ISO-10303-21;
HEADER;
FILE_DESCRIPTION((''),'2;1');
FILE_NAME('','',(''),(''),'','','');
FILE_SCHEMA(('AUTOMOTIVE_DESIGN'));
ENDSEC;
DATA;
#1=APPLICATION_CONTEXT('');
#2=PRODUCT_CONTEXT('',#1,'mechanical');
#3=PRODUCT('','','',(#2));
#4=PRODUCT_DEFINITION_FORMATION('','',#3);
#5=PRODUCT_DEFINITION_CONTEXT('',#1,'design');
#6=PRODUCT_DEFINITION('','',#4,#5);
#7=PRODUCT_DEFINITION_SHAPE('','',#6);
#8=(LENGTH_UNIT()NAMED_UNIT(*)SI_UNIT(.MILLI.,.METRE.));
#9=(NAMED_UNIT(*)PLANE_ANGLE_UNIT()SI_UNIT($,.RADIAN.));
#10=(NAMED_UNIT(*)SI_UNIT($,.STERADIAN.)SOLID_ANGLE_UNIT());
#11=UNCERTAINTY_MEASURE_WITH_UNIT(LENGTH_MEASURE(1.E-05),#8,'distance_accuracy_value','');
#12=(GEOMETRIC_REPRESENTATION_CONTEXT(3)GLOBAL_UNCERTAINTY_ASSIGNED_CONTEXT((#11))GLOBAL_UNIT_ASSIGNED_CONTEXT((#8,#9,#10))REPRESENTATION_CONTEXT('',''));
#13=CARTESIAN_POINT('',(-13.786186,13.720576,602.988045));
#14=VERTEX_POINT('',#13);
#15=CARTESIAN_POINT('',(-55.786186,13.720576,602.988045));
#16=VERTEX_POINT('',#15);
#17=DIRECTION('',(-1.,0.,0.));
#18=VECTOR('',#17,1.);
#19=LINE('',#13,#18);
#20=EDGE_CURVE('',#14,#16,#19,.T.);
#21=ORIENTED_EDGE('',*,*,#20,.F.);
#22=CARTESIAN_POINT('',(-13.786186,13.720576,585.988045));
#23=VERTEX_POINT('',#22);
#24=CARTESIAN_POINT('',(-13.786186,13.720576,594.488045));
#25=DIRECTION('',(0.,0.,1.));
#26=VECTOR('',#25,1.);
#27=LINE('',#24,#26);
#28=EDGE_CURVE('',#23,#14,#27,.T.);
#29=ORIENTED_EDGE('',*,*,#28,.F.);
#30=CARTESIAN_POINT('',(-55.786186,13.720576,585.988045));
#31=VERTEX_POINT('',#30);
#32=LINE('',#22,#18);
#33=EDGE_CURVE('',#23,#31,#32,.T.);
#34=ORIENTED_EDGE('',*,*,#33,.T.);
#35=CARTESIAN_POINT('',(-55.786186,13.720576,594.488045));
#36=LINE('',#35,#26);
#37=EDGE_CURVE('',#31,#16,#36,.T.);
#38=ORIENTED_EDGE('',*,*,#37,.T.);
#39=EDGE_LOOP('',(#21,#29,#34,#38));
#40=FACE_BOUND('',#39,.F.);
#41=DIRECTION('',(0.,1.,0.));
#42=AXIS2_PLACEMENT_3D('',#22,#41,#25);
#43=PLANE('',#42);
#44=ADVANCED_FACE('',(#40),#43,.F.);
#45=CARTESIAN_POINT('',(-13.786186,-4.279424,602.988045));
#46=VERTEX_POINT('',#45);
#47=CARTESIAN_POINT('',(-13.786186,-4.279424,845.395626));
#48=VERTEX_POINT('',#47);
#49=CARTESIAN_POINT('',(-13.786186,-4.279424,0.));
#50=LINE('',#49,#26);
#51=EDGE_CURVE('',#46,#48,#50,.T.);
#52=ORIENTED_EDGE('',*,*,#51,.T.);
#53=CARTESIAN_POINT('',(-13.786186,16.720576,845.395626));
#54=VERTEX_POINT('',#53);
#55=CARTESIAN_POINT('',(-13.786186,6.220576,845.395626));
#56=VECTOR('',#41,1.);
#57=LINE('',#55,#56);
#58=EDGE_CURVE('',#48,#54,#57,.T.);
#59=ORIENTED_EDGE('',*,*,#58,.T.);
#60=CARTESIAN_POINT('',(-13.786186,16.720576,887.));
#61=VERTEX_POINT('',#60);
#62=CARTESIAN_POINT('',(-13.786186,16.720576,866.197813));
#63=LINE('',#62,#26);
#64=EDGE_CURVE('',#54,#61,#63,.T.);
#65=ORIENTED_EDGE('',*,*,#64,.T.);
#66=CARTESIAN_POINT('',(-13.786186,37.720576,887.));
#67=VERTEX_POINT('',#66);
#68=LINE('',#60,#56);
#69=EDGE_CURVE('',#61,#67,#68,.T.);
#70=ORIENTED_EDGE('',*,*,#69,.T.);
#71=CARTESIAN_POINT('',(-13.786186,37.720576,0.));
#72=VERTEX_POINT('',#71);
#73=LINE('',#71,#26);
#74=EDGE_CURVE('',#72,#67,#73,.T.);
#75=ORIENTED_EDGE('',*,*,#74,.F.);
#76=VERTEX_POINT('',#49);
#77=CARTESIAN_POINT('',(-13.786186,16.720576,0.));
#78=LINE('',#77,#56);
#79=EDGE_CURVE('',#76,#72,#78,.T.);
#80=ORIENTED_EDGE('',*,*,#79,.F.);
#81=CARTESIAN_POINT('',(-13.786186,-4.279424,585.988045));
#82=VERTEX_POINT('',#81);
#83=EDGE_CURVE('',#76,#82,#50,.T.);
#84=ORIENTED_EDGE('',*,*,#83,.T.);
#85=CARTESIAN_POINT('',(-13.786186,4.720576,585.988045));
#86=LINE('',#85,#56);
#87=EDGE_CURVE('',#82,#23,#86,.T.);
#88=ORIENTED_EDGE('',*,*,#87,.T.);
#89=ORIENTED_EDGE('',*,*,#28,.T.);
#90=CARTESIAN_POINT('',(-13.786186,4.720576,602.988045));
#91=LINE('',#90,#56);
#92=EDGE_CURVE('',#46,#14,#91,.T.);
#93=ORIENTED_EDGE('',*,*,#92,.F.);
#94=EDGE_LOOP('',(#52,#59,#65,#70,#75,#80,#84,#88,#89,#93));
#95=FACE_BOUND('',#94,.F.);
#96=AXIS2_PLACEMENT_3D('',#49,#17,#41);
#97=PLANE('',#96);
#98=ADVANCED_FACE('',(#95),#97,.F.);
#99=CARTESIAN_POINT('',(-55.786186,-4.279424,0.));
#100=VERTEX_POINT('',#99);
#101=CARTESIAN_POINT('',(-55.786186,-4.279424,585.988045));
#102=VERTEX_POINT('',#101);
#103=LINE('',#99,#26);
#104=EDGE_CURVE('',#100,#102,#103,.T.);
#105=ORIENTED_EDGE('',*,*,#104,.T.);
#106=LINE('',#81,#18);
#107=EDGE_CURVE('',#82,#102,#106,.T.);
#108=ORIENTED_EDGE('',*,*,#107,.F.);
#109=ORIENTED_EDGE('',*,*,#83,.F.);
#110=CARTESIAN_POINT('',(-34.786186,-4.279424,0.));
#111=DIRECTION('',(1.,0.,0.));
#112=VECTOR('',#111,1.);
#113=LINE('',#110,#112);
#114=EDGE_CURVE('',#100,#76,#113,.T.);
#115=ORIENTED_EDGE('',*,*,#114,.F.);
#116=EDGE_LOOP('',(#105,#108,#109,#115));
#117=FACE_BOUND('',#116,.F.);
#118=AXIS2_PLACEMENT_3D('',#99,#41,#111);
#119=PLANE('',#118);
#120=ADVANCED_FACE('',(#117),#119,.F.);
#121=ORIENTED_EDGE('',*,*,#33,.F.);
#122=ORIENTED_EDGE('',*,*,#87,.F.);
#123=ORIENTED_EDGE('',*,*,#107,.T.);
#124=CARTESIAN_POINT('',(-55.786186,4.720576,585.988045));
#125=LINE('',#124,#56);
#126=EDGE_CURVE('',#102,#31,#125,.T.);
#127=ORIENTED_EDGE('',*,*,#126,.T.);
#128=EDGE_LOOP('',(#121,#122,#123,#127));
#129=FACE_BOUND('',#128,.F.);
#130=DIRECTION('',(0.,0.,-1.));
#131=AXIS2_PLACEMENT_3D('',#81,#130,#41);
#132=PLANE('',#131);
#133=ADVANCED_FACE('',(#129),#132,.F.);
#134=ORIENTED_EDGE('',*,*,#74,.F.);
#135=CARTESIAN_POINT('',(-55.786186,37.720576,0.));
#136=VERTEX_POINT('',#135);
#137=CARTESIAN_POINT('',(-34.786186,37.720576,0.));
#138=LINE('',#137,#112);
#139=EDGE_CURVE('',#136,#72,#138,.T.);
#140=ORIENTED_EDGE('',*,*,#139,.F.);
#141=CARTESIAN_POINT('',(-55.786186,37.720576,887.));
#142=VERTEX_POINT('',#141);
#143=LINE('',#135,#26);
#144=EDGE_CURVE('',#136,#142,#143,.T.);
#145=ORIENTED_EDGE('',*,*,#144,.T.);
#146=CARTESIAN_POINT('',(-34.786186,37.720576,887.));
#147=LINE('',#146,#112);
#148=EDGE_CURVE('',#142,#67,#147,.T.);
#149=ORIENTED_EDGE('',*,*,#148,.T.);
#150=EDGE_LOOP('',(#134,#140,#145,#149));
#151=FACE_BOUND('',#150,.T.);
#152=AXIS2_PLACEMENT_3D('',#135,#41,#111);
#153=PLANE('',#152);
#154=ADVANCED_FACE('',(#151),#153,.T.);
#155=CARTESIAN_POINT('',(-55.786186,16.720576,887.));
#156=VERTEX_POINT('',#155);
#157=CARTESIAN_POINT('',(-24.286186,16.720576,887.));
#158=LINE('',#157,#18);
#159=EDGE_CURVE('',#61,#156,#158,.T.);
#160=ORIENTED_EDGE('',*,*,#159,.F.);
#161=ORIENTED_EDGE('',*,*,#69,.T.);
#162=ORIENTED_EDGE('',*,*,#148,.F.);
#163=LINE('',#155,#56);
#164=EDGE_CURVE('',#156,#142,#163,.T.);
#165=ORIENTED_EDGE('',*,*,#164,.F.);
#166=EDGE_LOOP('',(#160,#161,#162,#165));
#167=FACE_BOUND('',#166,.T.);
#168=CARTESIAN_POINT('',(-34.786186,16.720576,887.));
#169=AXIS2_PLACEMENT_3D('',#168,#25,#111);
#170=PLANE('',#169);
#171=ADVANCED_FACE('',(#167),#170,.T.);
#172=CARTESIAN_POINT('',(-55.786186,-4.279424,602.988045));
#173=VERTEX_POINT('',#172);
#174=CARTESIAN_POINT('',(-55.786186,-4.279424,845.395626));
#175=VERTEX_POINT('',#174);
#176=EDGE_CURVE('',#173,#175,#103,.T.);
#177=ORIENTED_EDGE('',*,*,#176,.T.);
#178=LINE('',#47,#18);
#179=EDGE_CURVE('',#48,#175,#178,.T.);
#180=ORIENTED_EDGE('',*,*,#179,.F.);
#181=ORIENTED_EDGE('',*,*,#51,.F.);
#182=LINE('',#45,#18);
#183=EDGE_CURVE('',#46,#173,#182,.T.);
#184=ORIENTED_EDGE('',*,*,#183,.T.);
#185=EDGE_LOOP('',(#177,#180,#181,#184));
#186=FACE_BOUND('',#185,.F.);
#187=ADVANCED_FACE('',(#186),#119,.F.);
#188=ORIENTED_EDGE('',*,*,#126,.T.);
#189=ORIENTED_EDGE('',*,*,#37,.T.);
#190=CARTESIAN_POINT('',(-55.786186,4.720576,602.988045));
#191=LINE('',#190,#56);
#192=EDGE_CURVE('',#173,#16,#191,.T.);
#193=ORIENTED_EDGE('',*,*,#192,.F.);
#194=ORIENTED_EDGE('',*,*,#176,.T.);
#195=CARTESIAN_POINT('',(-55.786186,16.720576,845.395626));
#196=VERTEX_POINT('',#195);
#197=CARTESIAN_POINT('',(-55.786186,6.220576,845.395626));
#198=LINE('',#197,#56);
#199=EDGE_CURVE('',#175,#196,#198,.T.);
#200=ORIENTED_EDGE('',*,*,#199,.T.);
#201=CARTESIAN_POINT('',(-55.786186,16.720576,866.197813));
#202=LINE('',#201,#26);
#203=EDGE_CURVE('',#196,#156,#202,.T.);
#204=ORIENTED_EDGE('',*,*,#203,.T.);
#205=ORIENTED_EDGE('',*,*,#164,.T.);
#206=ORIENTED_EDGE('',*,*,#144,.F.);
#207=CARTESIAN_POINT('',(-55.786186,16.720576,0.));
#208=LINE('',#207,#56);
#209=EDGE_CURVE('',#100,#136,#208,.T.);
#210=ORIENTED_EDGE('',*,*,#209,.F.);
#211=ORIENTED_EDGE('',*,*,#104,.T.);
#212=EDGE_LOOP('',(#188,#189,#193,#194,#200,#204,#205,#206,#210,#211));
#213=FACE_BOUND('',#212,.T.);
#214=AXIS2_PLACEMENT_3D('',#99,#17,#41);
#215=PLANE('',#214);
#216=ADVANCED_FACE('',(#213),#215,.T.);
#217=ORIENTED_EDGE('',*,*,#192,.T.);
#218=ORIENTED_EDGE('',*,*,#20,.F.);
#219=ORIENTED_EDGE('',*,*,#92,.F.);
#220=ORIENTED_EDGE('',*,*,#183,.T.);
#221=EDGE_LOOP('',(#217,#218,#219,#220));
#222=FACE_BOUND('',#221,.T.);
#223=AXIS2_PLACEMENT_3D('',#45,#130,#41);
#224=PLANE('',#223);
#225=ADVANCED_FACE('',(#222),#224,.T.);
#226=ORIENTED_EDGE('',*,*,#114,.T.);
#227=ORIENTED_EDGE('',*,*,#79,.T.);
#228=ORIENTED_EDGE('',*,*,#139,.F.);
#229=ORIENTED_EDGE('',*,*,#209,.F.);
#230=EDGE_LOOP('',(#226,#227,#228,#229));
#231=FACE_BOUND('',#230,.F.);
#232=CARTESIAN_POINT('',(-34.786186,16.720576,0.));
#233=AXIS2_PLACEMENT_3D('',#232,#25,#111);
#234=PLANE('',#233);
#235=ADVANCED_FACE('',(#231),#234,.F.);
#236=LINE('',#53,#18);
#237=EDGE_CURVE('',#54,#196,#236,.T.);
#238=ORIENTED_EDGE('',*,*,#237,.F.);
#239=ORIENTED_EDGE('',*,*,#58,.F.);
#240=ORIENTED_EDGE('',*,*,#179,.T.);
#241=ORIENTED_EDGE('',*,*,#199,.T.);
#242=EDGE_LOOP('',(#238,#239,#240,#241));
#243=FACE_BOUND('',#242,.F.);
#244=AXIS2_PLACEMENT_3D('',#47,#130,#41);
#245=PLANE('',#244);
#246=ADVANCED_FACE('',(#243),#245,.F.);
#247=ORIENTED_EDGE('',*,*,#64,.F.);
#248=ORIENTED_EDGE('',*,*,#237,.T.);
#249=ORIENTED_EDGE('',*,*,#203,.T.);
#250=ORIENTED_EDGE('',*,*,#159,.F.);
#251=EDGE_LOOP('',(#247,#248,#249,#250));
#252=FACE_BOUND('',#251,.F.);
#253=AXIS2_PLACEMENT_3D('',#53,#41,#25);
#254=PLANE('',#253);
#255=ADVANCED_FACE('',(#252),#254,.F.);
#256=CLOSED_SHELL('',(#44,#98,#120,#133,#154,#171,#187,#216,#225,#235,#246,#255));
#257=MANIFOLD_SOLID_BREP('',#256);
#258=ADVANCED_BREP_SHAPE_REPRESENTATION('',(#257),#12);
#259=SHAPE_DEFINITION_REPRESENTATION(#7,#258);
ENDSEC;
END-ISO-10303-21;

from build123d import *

# Parameters (mm, degrees)
F0_W     = 42
F0_H     = 42
F1_DEPTH = 887
F2_W     = 21
F2_H     = 41.604375
F3_DEPTH = 42
F4_W     = 18
F4_H     = 17
F5_DEPTH = 42


with BuildPart() as f1:
    # F0 (on Top) → F1 (new body)
    with BuildSketch(Plane.XY):
        with Locations((-34.786186, 16.720576)):
            Rectangle(F0_W, F0_H)
    extrude(amount=F1_DEPTH)

    # F2 (on face) → F3 (cut)
    with BuildSketch(Plane.YZ.offset(-13.786186)):
        with Locations((6.220576, 866.197813)):
            Rectangle(F2_W, F2_H)
    extrude(amount=-F3_DEPTH, mode=Mode.SUBTRACT)

    # F4 (on face) → F5 (cut)
    with BuildSketch(Plane.YZ.offset(-13.786186)):
        with Locations((4.720576, 594.488045)):
            Rectangle(F4_W, F4_H)
    extrude(amount=-F5_DEPTH, mode=Mode.SUBTRACT)


solid = f1.part
